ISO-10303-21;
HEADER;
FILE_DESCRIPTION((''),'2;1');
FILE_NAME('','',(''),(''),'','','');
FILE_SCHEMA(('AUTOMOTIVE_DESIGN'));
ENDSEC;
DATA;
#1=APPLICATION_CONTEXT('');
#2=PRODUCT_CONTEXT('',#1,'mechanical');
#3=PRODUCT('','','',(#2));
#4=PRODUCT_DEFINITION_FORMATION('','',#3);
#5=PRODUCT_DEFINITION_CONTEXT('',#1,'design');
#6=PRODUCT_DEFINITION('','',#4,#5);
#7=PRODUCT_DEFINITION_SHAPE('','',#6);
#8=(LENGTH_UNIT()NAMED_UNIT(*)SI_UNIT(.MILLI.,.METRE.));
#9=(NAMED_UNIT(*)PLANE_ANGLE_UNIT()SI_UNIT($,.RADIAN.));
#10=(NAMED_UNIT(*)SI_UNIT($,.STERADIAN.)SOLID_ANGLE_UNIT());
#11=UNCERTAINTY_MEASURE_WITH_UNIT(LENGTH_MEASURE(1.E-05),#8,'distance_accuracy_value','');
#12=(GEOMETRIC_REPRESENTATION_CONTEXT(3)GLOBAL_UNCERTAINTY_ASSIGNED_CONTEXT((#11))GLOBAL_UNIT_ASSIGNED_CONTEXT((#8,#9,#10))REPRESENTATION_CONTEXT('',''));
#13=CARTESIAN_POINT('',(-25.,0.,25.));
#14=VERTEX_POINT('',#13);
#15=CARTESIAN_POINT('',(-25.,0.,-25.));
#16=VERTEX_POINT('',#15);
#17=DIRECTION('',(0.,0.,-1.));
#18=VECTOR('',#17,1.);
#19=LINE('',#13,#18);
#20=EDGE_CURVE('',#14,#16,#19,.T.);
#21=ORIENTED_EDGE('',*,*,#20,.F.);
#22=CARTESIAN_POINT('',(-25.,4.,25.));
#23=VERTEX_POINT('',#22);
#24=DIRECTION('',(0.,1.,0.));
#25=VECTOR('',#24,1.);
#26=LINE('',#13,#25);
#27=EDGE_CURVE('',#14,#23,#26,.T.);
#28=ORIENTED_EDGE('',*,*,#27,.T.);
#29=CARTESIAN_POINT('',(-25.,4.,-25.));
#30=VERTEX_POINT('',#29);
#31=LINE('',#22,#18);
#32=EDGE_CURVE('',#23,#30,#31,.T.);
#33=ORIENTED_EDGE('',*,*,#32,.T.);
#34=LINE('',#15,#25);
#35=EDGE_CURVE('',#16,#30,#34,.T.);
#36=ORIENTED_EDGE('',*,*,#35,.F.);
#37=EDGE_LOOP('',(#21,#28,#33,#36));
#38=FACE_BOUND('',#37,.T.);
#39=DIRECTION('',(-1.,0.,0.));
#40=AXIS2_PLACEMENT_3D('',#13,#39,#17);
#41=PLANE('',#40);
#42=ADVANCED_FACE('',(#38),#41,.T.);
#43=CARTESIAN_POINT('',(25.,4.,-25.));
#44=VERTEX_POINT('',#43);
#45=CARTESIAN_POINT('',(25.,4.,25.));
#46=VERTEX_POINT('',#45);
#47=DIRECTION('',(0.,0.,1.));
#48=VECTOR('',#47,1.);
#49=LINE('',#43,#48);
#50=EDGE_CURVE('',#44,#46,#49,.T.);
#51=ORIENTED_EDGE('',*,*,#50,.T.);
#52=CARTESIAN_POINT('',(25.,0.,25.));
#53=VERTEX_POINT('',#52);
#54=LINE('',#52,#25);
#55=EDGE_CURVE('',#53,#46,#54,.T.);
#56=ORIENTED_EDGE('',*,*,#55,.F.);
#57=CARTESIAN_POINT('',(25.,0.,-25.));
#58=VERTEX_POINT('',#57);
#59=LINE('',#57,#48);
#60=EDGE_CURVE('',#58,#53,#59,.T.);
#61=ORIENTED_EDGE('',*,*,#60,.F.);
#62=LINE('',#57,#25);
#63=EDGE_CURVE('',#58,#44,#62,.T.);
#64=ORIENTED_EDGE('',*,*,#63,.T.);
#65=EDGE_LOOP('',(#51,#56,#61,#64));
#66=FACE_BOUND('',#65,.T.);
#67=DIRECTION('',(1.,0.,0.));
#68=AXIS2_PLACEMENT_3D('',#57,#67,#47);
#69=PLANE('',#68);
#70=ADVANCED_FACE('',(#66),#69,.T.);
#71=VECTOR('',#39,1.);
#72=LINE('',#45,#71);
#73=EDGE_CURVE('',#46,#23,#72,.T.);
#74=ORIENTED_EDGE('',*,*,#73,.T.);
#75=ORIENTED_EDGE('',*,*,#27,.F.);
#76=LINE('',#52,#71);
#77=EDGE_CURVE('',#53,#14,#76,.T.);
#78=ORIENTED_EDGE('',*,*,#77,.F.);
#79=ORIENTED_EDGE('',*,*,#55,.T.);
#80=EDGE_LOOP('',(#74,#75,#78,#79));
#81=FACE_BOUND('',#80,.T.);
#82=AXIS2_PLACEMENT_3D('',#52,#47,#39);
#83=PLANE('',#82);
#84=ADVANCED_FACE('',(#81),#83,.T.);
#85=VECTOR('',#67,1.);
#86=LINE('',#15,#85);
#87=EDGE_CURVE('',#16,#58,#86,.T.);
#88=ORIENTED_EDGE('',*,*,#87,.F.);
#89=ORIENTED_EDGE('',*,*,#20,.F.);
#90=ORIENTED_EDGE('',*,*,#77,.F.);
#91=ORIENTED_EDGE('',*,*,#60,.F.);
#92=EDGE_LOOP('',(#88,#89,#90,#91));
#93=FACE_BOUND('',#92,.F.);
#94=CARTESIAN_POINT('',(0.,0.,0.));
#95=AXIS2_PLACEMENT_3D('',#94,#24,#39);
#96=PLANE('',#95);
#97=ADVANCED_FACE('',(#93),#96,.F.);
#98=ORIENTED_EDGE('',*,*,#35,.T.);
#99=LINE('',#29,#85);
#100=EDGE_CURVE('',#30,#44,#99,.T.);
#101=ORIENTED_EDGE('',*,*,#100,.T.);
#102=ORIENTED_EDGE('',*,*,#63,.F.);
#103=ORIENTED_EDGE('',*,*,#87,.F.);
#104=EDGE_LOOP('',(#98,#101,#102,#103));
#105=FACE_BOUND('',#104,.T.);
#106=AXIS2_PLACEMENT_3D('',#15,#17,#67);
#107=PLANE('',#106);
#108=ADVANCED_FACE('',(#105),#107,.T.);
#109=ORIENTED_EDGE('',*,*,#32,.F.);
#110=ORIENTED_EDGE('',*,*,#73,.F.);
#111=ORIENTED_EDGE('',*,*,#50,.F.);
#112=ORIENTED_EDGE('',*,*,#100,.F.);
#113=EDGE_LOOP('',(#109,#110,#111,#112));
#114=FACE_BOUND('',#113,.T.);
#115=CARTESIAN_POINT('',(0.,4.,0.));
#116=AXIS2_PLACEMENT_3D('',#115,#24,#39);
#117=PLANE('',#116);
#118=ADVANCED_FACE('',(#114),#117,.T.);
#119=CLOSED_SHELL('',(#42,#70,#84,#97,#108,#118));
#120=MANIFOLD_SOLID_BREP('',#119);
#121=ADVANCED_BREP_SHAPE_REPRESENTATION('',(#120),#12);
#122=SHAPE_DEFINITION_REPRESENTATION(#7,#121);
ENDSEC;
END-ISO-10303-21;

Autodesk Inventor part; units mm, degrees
ref_plane "YZ Plane" through (0, 0, 0) normal (1, 0, 0) x (0, 1, 0)
ref_plane "XZ Plane" through (0, 0, 0) normal (0, 1, 0) x (-1, 0, 0)
ref_plane "XY Plane" through (0, 0, 0) normal (0, 0, 1) x (1, 0, 0)
sketch "Sketch1" plane through (0, 0, 0) normal (0, 1, 0) x (-1, 0, 0)
  line L0 (25, -25) -> (-25, -25)
  line L1 (-25, -25) -> (-25, 25)
  line L2 (-25, 25) -> (25, 25)
  line L3 (25, 25) -> (25, -25)
  circle A0 centre (0, 0) radius 25 construction
  point P0 (25, 0)
extrude "Extrusion1" add sketch "Sketch1" along normal blind 4
properties part number "objeto3"
